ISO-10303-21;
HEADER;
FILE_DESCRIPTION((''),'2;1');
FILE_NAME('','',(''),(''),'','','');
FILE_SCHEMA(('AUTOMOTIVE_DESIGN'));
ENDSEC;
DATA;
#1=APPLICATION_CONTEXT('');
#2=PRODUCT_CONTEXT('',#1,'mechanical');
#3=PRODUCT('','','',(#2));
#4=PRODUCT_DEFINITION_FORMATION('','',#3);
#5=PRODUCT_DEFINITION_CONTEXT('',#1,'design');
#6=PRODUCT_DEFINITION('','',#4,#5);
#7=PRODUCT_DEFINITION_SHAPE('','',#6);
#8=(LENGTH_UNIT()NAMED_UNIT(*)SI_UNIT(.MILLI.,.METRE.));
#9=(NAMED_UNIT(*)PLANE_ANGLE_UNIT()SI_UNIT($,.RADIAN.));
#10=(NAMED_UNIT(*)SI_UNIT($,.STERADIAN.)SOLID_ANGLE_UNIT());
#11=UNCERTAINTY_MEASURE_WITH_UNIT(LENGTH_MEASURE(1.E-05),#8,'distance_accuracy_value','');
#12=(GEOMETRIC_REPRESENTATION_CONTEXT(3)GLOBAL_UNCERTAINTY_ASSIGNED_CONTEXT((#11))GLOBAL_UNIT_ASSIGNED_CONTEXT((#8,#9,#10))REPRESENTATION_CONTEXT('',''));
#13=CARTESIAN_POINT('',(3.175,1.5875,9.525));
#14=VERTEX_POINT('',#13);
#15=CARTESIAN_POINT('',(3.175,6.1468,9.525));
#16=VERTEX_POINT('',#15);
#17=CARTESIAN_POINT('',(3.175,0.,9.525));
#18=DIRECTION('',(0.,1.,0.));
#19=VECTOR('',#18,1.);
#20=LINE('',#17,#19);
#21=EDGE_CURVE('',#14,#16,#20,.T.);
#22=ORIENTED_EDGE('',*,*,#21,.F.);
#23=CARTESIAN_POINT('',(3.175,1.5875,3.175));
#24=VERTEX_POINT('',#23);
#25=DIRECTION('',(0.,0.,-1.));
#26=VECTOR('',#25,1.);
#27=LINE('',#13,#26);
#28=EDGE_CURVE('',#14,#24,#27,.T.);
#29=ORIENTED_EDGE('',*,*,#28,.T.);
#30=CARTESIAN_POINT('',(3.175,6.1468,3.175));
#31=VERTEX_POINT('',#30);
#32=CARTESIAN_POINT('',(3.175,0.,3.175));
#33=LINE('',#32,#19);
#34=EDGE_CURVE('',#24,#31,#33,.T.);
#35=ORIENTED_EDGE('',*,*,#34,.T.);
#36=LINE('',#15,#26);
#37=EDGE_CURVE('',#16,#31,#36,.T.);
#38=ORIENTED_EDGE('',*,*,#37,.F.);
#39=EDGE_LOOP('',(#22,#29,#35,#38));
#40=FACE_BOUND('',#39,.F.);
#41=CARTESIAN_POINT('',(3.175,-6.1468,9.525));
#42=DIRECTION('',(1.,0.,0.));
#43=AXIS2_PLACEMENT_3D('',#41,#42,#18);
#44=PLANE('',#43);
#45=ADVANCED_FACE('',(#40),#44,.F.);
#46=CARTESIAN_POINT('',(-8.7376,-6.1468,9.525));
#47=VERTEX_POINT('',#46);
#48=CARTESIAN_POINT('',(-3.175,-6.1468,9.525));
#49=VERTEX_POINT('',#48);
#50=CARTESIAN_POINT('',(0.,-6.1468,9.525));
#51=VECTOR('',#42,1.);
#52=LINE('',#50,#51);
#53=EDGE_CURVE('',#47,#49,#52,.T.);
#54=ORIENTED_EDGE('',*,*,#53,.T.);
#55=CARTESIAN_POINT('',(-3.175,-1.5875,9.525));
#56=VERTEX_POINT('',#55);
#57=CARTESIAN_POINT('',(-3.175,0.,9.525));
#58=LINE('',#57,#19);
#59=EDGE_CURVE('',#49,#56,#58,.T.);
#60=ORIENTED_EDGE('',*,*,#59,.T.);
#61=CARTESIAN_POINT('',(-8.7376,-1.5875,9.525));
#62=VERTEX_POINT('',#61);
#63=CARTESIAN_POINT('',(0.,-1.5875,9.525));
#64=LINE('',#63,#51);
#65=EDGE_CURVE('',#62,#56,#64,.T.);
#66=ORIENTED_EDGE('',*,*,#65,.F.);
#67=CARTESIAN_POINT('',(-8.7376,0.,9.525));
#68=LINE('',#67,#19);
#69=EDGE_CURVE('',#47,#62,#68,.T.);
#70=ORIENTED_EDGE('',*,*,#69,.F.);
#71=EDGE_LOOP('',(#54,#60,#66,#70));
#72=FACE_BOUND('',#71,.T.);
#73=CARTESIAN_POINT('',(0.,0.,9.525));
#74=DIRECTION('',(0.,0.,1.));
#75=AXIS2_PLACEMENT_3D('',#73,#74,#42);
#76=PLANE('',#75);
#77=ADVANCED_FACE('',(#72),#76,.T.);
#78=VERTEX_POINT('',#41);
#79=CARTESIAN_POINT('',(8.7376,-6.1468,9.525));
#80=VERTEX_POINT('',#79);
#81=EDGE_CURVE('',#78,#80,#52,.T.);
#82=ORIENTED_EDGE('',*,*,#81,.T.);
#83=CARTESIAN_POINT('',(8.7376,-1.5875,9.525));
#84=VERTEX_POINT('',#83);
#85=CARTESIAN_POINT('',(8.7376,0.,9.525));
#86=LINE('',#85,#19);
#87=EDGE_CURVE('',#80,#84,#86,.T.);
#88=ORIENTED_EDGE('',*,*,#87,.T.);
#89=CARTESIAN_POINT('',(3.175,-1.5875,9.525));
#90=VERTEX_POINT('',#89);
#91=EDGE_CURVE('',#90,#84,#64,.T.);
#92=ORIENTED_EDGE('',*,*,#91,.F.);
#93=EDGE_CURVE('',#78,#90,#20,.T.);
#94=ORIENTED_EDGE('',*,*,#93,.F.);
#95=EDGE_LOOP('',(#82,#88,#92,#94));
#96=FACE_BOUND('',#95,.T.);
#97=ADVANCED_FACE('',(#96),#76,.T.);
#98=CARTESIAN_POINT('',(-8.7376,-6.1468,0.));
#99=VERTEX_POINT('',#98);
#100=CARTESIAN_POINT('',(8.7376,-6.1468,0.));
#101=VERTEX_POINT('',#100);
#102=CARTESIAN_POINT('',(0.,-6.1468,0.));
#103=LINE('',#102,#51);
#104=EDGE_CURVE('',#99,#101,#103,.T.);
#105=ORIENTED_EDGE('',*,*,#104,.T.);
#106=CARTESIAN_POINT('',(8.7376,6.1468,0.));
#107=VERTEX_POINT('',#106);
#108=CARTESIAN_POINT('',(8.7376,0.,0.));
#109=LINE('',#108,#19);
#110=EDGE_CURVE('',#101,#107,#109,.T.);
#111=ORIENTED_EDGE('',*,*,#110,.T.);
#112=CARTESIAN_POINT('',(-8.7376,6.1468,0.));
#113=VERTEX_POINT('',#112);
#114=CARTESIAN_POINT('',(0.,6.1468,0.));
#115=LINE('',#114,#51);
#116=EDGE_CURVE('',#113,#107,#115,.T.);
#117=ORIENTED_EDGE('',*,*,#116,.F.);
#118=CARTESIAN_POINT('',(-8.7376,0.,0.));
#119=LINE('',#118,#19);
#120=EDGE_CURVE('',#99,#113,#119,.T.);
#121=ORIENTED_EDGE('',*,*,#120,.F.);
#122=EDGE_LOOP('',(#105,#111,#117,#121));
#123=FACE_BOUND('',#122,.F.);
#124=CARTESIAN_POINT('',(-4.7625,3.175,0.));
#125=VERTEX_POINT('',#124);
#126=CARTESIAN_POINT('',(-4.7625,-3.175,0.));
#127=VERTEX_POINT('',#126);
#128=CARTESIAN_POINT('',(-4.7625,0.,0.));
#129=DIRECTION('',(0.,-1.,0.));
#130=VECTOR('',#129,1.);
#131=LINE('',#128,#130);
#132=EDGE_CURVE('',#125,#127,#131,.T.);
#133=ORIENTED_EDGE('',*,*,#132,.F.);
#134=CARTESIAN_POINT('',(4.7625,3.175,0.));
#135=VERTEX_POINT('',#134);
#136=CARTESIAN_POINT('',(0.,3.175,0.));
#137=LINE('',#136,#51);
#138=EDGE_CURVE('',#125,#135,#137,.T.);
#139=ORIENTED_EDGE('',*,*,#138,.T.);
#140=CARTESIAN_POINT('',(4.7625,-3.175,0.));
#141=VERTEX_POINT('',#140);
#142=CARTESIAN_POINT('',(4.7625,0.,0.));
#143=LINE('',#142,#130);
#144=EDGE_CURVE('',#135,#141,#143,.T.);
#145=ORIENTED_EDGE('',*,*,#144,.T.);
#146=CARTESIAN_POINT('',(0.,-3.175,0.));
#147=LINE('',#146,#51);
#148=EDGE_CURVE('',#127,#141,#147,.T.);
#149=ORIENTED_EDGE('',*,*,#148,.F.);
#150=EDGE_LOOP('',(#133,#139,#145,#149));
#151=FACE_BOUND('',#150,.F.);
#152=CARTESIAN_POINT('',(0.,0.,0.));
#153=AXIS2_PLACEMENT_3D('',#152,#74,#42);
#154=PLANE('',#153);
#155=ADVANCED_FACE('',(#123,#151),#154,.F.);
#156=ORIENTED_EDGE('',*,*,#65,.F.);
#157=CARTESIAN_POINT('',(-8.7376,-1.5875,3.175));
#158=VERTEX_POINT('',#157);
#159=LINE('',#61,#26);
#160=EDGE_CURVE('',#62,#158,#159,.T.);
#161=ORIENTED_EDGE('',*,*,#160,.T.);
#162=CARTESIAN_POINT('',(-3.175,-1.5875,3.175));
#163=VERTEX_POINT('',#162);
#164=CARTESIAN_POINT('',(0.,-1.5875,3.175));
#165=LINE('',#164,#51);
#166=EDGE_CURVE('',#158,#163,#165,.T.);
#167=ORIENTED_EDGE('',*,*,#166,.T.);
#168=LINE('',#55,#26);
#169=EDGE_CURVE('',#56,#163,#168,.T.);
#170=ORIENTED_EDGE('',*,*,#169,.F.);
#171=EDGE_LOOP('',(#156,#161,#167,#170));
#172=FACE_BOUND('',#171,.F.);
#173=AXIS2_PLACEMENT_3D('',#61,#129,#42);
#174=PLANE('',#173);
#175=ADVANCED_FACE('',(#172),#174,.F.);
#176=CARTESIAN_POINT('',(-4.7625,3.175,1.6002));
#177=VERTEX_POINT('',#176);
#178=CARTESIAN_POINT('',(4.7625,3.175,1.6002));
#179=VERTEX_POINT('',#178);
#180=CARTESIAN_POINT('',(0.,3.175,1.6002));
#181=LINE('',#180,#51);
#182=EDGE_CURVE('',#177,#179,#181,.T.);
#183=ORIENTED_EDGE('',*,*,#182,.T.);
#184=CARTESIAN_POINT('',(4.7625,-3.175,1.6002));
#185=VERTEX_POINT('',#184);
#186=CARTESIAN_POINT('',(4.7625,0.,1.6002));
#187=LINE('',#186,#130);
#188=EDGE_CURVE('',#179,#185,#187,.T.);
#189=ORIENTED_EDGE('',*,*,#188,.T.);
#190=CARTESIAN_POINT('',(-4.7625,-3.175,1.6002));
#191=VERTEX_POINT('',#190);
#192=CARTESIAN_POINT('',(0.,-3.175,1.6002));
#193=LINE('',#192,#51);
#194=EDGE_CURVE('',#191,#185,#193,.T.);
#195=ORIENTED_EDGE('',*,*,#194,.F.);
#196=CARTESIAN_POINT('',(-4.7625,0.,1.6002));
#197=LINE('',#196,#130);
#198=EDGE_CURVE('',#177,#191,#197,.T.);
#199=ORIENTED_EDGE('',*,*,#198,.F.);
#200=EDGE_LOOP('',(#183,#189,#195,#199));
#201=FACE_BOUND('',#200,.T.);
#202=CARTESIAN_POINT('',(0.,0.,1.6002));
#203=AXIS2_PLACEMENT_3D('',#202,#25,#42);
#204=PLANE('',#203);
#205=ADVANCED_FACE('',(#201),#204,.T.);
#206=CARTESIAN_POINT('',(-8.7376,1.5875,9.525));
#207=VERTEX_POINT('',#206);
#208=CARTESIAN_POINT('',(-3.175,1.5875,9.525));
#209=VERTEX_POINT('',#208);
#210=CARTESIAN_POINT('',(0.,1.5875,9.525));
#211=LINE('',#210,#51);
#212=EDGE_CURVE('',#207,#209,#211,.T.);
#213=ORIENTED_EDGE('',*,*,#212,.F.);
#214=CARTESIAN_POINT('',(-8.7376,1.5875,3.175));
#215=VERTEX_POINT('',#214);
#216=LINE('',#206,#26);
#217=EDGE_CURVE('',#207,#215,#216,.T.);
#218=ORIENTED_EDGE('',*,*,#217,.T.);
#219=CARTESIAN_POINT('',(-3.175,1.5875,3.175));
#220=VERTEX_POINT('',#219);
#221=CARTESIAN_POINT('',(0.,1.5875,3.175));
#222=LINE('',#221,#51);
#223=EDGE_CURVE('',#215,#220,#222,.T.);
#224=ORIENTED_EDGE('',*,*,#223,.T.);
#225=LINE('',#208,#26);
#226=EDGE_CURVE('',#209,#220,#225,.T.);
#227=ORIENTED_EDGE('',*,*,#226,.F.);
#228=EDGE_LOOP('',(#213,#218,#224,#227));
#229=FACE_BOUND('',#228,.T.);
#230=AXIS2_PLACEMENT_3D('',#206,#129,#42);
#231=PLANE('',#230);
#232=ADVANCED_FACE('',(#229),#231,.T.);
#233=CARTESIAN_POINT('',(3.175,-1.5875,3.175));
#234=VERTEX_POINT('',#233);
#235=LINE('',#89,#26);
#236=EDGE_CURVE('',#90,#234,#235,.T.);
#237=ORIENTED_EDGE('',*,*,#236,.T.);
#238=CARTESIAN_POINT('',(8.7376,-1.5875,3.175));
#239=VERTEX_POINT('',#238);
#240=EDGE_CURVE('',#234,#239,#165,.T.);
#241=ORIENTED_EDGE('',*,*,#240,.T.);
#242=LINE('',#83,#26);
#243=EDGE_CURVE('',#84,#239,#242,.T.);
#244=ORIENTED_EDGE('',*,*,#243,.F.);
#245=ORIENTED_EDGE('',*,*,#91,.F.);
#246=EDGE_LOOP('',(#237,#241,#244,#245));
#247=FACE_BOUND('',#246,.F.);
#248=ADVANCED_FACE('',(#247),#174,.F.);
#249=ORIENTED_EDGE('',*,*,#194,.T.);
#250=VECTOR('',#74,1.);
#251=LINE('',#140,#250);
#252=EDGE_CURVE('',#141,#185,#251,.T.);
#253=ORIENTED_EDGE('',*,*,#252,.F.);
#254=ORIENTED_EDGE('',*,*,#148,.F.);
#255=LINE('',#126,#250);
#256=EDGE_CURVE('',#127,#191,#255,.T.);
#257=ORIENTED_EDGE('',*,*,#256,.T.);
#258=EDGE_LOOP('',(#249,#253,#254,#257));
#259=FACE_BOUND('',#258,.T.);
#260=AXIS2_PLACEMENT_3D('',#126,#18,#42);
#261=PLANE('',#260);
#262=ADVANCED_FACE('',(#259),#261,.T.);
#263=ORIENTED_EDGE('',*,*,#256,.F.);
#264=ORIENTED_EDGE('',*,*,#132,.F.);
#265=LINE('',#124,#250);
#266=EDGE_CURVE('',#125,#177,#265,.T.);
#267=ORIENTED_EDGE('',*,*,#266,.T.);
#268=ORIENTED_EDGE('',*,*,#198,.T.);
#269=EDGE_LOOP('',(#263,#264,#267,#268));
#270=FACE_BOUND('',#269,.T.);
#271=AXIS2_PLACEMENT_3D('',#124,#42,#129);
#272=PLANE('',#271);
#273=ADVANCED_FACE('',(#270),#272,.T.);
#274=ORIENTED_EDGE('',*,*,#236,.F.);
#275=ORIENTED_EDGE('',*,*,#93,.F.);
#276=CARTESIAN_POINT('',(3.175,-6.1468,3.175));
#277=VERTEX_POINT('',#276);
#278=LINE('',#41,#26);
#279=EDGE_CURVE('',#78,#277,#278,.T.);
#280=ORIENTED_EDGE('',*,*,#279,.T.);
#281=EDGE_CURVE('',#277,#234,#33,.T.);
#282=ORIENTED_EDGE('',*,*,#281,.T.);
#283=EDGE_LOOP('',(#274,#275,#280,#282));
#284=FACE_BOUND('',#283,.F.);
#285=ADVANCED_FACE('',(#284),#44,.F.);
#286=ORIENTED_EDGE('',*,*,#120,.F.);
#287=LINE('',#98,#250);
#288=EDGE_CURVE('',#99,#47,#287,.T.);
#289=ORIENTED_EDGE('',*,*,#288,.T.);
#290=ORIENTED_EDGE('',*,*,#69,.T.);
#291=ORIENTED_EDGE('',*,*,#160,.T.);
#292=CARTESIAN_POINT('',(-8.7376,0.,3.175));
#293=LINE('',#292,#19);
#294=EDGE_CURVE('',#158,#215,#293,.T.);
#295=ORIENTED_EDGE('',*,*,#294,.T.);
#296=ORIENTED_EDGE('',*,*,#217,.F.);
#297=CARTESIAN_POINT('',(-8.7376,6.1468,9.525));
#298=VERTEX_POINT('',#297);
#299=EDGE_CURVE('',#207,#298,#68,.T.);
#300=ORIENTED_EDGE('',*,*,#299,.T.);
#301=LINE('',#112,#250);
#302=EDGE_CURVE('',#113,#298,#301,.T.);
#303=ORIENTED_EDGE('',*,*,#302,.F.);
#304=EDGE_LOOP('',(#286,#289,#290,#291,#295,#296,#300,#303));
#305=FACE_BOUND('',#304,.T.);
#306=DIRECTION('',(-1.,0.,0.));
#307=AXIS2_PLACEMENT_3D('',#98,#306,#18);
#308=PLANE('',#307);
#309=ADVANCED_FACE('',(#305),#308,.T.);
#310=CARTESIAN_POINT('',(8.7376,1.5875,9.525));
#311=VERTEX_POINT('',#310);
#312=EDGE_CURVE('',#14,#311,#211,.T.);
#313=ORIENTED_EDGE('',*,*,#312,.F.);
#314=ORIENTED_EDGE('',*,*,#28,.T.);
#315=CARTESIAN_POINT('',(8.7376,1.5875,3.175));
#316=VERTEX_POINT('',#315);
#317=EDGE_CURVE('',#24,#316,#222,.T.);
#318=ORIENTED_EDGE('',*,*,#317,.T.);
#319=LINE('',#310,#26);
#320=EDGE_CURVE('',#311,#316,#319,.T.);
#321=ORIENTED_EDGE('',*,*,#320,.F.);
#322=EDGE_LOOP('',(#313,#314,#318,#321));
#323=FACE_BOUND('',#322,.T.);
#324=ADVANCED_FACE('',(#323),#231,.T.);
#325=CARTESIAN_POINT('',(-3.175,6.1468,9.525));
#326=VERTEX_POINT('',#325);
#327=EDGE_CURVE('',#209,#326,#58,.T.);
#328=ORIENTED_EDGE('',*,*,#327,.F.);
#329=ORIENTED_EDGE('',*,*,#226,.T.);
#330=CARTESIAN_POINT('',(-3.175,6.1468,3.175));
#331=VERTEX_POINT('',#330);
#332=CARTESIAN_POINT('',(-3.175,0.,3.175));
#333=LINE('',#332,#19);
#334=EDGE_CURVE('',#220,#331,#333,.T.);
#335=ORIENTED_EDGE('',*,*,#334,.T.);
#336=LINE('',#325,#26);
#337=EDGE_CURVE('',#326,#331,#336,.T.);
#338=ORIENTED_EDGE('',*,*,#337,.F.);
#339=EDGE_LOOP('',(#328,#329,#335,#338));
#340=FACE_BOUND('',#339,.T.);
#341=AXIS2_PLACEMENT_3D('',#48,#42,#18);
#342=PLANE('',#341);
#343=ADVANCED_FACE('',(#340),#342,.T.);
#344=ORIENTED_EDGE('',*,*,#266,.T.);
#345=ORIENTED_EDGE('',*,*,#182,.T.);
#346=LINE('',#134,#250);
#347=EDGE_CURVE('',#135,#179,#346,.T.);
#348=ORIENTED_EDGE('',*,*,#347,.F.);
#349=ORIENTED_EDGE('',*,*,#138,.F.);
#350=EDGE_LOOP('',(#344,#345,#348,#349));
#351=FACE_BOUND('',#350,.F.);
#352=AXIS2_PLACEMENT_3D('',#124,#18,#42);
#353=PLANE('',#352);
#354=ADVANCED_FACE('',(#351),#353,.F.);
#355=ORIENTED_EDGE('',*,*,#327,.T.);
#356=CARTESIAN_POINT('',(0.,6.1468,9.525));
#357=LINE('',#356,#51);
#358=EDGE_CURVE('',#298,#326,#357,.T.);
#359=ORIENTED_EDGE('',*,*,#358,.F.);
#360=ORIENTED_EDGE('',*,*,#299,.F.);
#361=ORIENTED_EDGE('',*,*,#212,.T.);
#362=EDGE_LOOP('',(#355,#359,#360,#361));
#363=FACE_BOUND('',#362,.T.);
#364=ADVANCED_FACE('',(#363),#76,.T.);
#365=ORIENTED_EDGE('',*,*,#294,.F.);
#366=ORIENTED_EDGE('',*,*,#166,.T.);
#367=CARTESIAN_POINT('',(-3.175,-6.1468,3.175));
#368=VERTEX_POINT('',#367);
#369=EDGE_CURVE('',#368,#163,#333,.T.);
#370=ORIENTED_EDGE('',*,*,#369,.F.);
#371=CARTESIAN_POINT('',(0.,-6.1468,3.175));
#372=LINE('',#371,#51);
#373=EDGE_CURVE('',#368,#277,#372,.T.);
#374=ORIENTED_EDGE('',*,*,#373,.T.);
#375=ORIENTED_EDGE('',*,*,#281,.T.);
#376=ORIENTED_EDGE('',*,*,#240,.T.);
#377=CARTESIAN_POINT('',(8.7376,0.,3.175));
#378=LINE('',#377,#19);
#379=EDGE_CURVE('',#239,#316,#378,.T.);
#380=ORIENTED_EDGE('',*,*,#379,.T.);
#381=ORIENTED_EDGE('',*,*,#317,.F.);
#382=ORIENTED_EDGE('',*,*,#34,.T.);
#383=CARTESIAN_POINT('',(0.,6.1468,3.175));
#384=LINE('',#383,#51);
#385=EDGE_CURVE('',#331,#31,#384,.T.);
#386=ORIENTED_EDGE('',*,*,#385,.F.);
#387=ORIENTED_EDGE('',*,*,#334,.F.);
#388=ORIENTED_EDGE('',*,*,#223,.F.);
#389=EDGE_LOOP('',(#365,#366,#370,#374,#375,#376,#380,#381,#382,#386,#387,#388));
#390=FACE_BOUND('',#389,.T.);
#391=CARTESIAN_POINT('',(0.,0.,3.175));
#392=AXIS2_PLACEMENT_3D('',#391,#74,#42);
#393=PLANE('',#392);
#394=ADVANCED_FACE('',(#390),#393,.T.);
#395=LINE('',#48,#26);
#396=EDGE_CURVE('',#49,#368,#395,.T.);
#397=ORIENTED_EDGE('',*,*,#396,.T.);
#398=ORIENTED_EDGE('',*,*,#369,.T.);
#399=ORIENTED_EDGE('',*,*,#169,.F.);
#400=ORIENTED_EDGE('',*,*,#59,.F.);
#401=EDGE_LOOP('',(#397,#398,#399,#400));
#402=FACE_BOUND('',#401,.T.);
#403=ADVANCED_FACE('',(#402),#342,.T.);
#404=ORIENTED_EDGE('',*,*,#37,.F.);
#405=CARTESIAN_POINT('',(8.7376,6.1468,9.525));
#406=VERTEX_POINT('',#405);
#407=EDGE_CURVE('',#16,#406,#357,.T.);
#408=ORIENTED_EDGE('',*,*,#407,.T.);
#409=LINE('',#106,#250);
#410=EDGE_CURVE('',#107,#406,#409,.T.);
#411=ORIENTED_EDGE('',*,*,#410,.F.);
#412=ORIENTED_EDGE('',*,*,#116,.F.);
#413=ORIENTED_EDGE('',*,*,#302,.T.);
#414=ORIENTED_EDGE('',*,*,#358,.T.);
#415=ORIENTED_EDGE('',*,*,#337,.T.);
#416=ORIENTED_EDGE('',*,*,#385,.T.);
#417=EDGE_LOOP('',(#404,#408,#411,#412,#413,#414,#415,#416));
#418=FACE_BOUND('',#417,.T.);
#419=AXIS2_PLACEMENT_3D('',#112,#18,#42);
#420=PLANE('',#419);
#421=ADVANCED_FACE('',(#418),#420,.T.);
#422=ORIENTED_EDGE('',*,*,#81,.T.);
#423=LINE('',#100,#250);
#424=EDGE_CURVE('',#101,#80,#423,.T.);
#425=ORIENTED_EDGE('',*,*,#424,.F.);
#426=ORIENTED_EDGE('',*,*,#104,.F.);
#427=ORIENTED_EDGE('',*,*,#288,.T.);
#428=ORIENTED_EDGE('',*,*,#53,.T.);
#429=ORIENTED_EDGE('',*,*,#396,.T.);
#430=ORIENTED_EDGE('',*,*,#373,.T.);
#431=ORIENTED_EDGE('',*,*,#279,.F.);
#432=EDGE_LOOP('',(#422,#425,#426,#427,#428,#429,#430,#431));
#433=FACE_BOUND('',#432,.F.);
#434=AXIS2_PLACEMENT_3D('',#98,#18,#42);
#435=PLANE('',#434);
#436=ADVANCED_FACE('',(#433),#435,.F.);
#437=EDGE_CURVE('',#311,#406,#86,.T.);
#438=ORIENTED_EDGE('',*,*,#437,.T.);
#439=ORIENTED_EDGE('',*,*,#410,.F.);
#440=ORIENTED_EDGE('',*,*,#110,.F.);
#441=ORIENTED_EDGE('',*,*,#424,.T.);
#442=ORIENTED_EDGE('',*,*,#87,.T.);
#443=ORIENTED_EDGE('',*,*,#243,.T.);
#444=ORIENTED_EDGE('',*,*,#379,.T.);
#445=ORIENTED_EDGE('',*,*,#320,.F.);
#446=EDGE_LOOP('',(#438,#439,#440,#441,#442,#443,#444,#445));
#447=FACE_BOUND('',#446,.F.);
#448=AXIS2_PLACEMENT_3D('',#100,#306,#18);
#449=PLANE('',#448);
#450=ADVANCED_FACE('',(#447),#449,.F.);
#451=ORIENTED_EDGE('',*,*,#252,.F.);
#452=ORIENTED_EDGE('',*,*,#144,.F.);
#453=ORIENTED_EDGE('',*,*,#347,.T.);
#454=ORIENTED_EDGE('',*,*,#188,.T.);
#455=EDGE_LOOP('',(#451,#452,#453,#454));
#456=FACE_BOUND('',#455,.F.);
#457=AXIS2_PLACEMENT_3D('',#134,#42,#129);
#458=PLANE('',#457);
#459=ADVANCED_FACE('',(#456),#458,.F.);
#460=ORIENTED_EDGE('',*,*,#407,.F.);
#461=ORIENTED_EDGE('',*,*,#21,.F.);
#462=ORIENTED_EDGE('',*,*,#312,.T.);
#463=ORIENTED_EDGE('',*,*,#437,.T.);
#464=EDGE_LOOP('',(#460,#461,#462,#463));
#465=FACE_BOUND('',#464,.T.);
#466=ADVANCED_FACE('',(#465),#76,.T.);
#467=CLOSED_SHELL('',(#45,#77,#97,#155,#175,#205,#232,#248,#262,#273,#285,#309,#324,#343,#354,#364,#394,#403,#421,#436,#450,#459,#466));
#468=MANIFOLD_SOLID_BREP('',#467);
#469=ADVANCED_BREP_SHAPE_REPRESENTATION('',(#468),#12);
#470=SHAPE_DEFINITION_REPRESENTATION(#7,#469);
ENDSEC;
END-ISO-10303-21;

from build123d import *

# Parameters (mm, degrees)
F0_W     = 17.4752
F0_H     = 12.2936
F1_DEPTH = 9.525
F2_W     = 6.35
F2_H     = 12.2936
F3_DEPTH = 6.35
F4_W     = 17.4752
F4_H     = 3.175
F5_DEPTH = 6.35
F6_W     = 9.525
F6_H     = 6.35
F7_DEPTH = 1.6002


with BuildPart() as f1:
    # F0 (on Top) → F1 (new body)
    with BuildSketch(Plane.XY):
        Rectangle(F0_W, F0_H)
    extrude(amount=F1_DEPTH)

    # F2 (on face) → F3 (cut)
    with BuildSketch(Plane.XY.offset(9.525)):
        Rectangle(F2_W, F2_H)
    extrude(amount=-F3_DEPTH, mode=Mode.SUBTRACT)

    # F4 (on face) → F5 (cut)
    with BuildSketch(Plane.XY.offset(9.525)):
        Rectangle(F4_W, F4_H)
    extrude(amount=-F5_DEPTH, mode=Mode.SUBTRACT)

    # F6 (on face) → F7 (cut)
    with BuildSketch(Plane(origin=(0, 0, 0), x_dir=(1, 0, 0), z_dir=(0, 0, -1))):
        Rectangle(F6_W, F6_H)
    extrude(amount=-F7_DEPTH, mode=Mode.SUBTRACT)


solid = f1.part
